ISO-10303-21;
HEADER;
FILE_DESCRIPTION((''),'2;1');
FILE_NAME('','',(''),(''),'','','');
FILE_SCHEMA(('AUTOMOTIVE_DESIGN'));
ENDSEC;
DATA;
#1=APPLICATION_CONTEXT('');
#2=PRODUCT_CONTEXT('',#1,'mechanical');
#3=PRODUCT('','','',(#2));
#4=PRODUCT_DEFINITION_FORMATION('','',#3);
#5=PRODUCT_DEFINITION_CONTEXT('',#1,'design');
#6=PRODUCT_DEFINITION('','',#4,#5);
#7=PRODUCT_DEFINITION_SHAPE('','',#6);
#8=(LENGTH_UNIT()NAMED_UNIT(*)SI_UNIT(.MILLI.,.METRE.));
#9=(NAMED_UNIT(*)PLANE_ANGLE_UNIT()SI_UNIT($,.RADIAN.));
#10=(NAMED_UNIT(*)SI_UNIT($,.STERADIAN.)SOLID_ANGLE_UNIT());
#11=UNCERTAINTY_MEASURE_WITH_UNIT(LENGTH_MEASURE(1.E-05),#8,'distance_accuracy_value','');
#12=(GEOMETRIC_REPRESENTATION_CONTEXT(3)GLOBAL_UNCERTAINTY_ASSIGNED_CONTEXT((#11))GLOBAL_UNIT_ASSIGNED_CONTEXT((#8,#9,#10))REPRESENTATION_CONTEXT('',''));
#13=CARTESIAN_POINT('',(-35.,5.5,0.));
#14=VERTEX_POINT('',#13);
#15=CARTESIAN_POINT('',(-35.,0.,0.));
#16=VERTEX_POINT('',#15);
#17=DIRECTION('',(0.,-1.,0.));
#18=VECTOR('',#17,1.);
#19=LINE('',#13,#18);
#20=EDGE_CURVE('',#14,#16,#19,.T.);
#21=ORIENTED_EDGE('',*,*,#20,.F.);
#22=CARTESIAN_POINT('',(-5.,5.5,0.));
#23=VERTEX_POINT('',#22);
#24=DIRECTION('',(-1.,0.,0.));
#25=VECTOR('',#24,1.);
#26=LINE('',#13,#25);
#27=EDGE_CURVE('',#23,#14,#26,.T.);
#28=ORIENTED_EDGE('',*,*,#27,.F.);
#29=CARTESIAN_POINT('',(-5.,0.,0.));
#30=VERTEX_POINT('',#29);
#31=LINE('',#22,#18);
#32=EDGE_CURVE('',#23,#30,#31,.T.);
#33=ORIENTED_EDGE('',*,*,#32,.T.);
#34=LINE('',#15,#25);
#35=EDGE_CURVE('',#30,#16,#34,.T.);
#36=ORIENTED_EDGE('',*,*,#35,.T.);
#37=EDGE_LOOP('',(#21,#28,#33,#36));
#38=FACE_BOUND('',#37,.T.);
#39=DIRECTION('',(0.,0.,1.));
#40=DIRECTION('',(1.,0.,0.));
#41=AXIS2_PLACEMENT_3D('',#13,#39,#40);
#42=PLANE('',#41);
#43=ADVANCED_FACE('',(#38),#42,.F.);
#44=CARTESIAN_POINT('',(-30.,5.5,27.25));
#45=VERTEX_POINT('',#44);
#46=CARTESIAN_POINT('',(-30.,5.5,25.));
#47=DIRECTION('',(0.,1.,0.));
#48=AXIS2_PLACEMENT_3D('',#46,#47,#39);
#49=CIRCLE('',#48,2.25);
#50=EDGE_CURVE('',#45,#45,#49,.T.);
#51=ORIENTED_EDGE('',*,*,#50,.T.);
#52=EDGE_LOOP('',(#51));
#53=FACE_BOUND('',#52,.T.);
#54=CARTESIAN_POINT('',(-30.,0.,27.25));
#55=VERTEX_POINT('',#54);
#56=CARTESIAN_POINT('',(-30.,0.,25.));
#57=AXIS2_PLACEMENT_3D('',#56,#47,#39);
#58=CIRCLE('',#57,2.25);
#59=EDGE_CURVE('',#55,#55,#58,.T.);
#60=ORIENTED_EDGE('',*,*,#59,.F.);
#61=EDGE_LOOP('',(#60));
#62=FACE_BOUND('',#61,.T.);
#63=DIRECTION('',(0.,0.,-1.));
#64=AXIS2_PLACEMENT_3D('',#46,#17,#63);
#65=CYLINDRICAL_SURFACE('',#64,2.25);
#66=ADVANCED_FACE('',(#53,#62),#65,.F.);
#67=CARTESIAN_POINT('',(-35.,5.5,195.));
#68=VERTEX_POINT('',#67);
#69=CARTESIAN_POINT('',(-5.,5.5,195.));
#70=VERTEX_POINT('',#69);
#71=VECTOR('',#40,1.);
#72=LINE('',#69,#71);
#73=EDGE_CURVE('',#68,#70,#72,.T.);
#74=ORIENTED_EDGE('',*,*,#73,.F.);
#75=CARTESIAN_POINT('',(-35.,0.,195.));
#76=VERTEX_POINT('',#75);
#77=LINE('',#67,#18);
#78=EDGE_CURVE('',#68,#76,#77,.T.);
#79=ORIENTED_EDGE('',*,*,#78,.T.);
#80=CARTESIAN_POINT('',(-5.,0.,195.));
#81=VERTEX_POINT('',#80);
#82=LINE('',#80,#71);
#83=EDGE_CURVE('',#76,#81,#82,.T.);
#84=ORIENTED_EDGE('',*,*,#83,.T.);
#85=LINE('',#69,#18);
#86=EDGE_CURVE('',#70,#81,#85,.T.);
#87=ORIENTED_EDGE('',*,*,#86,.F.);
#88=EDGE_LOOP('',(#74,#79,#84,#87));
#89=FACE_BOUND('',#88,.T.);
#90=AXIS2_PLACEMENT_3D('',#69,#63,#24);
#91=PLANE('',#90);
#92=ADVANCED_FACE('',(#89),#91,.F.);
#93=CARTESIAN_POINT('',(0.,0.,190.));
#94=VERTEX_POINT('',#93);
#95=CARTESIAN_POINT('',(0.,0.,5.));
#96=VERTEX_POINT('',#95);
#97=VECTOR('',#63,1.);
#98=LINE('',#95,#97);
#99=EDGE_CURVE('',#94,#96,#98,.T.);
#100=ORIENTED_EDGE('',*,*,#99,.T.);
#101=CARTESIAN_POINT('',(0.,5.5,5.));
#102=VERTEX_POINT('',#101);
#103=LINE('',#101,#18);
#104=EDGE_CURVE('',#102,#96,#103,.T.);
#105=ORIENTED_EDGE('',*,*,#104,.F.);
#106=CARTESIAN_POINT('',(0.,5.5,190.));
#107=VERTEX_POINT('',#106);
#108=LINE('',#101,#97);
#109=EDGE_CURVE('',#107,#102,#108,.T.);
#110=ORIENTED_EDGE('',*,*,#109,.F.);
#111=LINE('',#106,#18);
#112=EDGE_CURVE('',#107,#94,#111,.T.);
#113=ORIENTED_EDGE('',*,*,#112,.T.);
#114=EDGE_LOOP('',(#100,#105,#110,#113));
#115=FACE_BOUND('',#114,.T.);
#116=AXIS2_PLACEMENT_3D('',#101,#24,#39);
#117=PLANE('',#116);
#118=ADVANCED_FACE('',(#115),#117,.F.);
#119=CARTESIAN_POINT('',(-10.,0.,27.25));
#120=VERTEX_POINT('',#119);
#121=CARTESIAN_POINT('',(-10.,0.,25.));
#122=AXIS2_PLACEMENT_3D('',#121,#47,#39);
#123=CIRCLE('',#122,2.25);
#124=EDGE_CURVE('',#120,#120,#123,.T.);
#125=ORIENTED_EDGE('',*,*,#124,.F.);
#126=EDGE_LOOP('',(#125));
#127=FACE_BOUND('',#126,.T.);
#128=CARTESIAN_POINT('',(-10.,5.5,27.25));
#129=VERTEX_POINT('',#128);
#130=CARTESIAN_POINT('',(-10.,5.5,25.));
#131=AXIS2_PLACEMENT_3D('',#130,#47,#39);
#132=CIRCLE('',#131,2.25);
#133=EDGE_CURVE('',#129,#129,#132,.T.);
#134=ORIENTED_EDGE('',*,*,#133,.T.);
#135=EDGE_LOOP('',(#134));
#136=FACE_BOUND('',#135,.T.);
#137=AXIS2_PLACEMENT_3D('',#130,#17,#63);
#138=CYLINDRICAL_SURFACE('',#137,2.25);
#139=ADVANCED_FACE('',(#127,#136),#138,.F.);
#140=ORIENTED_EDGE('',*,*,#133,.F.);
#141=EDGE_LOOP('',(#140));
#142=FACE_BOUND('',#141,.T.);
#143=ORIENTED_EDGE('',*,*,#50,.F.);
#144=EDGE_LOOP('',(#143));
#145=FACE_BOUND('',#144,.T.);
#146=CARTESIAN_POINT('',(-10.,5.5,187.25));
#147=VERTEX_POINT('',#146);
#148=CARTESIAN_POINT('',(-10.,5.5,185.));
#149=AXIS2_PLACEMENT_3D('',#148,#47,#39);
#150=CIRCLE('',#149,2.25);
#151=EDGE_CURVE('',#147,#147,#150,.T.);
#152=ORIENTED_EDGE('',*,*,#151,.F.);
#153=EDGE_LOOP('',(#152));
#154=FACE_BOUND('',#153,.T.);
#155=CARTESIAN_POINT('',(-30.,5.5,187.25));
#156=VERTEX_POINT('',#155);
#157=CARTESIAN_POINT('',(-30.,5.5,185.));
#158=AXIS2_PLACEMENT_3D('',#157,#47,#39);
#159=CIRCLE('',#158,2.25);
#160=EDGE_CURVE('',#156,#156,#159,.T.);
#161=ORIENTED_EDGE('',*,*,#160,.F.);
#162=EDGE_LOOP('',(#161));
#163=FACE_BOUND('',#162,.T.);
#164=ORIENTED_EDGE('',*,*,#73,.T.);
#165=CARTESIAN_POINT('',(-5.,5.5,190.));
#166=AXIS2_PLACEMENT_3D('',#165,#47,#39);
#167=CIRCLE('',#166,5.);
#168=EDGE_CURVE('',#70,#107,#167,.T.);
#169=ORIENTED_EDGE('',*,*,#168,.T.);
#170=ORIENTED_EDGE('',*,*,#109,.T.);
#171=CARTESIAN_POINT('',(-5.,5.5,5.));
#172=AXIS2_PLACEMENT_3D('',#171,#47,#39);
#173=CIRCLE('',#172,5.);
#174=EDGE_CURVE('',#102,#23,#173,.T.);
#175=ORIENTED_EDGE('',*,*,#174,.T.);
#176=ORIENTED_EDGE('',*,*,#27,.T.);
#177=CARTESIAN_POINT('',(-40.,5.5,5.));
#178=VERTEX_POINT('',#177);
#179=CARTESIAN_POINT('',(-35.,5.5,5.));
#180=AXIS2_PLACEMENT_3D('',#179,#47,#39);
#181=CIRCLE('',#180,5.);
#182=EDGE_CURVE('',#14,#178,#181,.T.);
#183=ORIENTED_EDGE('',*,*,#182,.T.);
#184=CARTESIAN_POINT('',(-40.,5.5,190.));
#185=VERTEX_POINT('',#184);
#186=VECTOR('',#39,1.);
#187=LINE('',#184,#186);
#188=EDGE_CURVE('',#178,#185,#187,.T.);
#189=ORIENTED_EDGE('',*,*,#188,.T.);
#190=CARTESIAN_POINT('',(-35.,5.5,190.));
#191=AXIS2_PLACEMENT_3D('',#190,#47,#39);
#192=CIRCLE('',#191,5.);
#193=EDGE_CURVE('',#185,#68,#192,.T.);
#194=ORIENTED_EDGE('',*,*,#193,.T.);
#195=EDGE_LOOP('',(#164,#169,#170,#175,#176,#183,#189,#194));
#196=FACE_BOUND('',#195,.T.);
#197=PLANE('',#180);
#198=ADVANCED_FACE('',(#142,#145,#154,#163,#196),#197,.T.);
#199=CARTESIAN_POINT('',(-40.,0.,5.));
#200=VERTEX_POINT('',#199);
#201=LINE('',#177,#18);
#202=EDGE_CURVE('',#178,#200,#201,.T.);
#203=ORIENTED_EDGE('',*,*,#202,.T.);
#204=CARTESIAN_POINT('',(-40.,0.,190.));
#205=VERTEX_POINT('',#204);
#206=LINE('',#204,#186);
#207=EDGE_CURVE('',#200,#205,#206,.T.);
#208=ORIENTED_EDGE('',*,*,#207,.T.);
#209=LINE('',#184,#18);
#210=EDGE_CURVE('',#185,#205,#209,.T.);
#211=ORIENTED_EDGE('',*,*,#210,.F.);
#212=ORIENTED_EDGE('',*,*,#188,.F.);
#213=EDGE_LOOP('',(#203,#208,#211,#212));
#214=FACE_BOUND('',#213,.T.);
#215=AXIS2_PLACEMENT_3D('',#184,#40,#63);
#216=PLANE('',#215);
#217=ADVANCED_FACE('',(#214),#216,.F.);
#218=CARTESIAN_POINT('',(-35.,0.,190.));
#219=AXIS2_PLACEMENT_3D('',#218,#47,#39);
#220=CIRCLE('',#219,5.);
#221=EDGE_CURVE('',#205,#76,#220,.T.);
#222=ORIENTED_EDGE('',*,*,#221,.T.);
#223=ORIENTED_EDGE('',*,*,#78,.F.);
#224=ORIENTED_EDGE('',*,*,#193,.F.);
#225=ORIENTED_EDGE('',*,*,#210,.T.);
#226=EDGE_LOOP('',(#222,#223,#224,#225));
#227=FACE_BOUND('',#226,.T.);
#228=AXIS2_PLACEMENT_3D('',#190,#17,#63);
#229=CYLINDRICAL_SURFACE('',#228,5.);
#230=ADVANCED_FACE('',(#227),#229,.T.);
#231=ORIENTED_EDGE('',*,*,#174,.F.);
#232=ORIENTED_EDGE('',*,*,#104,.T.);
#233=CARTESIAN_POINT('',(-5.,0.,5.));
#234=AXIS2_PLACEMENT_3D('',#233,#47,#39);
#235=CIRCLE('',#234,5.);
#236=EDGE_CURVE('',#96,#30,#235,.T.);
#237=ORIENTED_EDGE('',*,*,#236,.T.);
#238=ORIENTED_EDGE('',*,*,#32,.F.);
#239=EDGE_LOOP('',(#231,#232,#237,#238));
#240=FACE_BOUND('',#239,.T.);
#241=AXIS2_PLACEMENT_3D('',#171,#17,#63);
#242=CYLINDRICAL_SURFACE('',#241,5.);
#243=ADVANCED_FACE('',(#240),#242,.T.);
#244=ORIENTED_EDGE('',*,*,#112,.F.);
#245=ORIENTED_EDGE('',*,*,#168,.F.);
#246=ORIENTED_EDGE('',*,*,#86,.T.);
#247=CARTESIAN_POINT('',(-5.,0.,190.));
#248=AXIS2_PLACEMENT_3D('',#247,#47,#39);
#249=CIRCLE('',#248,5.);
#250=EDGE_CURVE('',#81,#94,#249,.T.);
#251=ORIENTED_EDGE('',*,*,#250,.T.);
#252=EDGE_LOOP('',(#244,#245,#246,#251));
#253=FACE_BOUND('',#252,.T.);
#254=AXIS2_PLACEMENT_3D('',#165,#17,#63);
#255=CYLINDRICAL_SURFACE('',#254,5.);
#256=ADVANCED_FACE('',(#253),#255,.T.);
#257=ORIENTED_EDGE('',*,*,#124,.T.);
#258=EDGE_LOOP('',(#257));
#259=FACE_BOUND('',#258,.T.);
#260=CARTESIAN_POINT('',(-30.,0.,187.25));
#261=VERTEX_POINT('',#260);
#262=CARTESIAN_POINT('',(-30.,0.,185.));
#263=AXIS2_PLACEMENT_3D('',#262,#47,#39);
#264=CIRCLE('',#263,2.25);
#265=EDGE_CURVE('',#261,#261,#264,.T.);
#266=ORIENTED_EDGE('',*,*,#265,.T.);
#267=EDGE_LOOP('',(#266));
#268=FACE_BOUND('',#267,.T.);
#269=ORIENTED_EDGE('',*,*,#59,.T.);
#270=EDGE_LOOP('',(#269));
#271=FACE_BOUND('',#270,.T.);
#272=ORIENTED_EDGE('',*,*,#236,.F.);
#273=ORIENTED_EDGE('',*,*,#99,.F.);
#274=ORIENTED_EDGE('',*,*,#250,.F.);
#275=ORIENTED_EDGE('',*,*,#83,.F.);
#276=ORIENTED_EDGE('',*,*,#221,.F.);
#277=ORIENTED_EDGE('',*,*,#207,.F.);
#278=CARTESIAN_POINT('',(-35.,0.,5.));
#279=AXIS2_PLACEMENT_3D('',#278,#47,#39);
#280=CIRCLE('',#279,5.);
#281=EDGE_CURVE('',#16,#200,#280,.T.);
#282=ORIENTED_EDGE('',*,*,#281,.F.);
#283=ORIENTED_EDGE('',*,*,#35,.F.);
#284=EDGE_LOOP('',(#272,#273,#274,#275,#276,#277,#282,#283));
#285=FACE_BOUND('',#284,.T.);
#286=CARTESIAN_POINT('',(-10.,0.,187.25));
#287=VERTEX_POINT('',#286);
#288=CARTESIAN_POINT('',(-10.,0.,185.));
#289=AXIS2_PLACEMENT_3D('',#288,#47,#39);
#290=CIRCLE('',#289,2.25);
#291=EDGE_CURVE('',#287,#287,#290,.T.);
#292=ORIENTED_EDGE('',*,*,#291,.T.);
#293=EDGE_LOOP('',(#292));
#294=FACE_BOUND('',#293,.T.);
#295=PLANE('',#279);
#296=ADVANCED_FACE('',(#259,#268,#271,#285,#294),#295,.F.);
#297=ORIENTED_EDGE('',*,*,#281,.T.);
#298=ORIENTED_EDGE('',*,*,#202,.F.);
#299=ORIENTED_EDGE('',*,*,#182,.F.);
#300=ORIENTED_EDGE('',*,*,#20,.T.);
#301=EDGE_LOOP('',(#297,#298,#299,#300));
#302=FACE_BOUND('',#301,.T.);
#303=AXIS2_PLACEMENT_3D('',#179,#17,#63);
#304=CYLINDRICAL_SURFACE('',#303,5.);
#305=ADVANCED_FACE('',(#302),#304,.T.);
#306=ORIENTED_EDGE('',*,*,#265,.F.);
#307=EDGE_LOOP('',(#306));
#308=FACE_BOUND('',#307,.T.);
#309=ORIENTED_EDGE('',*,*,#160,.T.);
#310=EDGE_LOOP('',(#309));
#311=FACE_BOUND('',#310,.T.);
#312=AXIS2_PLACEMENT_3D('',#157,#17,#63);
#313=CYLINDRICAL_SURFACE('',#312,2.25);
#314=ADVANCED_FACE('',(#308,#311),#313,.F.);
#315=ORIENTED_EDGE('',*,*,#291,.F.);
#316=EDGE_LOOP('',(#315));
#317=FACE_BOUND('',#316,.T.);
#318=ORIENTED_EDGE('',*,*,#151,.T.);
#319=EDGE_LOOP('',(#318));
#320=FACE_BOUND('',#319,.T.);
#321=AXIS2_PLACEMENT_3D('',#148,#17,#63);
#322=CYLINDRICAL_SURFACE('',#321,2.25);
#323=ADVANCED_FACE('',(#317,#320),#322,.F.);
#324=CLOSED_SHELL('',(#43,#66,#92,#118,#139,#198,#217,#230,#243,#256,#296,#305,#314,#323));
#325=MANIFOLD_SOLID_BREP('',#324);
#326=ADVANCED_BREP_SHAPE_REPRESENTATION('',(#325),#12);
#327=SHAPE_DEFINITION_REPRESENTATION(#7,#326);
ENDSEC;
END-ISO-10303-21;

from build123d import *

# Parameters (mm, degrees)
CROQUIS1_R              = 2.25
SALIENTE_EXTRUIR1_DEPTH = 5.5


with BuildPart() as part:
    # Croquis1 → Saliente-Extruir1 (new body)
    with BuildSketch(Plane(origin=(0, 0, 0), x_dir=(1, 0, 0), z_dir=(0, 1, 0))):
        with BuildLine():
            Line((0, -5), (0, -190))
            ThreePointArc((0, -190), (-1.464466094, -193.535533906), (-5, -195))
            Line((-5, -195), (-35, -195))
            ThreePointArc((-35, -195), (-38.535533906, -193.535533906), (-40, -190))
            Line((-40, -190), (-40, -5))
            ThreePointArc((-40, -5), (-38.535533906, -1.464466094), (-35, 0))
            Line((-35, 0), (-5, 0))
            ThreePointArc((-5, 0), (-1.464466094, -1.464466094), (0, -5))
        make_face()
        with Locations(Location((-30, -25, 0), (0, 0, 270))):
            Circle(CROQUIS1_R, mode=Mode.SUBTRACT)
        with Locations(Location((-10, -25, 0), (0, 0, 270))):
            Circle(CROQUIS1_R, mode=Mode.SUBTRACT)
        with Locations(Location((-30, -185, 0), (0, 0, 270))):
            Circle(CROQUIS1_R, mode=Mode.SUBTRACT)
        with Locations(Location((-10, -185, 0), (0, 0, 270))):
            Circle(CROQUIS1_R, mode=Mode.SUBTRACT)
    extrude(amount=SALIENTE_EXTRUIR1_DEPTH)


solid = part.part
